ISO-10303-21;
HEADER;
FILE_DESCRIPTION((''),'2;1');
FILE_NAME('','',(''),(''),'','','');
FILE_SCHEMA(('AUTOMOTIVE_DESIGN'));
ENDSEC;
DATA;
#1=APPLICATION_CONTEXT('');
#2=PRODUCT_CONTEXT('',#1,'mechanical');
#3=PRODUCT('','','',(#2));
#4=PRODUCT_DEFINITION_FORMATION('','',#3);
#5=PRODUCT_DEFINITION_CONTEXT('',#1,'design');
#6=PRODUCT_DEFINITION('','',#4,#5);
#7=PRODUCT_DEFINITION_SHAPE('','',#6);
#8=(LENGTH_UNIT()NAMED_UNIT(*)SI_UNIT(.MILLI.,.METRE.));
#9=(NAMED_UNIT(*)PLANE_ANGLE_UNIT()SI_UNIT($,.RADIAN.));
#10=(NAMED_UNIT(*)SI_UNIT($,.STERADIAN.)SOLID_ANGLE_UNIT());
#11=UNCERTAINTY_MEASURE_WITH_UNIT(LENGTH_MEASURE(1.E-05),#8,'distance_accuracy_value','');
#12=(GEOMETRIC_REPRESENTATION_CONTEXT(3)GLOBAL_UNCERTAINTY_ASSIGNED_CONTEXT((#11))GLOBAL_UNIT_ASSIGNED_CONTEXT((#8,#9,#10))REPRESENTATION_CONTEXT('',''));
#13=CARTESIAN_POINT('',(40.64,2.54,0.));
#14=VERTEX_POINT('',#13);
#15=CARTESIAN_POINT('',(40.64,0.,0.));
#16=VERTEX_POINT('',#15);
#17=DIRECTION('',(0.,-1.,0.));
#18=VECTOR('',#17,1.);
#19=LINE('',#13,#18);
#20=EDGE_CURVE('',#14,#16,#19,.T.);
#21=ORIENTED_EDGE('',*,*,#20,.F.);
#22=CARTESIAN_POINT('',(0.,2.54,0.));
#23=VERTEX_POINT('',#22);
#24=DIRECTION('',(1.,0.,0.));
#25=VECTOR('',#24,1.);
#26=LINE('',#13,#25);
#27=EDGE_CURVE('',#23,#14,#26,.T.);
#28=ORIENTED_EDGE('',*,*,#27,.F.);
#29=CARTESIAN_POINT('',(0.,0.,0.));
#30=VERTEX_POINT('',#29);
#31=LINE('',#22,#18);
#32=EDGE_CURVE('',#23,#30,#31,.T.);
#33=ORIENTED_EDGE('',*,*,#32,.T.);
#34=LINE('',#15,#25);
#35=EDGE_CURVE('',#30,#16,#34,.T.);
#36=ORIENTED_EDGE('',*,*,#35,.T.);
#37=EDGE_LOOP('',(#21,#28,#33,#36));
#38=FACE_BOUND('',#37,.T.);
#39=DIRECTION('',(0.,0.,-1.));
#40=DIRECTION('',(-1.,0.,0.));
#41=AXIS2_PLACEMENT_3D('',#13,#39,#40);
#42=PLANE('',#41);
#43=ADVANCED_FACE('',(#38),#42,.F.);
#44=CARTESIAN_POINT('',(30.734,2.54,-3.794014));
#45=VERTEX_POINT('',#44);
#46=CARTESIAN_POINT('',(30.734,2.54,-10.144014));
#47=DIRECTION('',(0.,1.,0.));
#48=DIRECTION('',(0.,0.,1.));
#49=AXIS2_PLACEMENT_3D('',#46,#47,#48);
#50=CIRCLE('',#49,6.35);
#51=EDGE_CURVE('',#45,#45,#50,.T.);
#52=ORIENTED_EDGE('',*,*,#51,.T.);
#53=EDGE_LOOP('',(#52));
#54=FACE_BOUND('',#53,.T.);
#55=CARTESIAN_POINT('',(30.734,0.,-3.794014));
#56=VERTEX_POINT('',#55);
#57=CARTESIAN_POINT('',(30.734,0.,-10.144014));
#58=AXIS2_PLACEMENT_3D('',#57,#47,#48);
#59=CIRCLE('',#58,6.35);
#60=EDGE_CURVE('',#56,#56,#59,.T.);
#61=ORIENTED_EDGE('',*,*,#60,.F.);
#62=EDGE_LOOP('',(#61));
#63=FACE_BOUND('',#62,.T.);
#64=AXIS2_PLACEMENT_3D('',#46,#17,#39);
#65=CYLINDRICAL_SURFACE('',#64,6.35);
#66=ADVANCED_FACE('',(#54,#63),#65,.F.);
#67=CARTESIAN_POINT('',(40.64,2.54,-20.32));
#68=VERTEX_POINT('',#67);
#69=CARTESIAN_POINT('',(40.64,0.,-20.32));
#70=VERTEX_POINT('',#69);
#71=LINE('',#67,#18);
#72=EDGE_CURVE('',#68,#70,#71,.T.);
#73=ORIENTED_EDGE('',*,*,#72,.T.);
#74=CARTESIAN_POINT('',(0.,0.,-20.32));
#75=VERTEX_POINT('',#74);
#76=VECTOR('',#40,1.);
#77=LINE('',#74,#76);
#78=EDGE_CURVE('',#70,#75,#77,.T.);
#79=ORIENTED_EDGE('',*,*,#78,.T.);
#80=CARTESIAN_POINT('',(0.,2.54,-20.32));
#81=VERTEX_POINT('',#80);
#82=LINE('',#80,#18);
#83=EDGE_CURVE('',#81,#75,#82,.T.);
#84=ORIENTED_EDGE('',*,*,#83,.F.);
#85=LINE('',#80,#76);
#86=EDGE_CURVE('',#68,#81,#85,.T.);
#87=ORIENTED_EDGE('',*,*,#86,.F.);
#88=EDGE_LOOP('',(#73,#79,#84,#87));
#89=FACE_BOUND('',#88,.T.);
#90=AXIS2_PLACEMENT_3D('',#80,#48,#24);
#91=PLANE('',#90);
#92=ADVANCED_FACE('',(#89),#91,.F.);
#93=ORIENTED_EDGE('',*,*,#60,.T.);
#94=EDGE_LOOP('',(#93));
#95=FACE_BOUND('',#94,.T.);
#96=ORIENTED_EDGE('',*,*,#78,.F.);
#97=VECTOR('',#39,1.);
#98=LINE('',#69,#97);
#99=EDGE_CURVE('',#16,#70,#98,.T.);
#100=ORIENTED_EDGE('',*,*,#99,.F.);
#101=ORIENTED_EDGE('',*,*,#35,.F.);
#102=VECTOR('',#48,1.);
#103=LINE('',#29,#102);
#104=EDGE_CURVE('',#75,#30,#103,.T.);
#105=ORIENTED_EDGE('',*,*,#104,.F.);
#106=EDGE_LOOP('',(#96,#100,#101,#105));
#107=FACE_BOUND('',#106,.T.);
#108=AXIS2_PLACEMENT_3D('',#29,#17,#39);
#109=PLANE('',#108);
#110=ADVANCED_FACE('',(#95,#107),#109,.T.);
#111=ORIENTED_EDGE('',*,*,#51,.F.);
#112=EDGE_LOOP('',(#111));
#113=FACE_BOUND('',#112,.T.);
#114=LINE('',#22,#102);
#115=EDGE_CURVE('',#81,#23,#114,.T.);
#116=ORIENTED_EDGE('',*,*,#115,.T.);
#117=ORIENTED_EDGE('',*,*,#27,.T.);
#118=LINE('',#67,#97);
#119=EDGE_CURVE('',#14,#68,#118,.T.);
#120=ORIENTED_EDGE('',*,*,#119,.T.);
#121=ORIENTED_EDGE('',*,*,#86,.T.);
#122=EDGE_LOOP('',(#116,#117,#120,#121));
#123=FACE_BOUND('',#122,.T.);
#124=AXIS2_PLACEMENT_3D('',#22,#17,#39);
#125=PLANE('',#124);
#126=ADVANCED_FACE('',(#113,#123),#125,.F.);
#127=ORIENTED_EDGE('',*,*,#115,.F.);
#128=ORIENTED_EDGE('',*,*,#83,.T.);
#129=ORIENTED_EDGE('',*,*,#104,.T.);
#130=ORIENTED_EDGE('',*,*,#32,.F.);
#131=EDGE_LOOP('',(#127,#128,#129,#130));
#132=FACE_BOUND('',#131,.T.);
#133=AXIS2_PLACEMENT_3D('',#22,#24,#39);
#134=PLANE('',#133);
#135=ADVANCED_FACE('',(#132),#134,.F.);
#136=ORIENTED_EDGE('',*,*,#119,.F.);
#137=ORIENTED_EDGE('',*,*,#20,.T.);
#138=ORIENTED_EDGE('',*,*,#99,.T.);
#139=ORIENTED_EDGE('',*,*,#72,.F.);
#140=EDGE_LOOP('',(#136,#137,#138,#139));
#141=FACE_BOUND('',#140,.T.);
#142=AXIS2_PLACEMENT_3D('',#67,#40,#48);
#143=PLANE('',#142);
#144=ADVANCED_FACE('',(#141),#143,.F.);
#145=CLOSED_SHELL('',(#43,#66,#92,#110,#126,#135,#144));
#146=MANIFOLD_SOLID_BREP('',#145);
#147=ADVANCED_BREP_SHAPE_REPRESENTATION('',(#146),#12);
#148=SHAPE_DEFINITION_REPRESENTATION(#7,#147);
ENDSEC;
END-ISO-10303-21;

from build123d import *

# Parameters (mm, degrees)
SKETCH1_W           = 40.64
SKETCH1_H           = 20.32
SKETCH1_R           = 6.35
BOSS_EXTRUDE1_DEPTH = 2.54


with BuildPart() as part:
    # Sketch1 → Boss-Extrude1 (new body)
    with BuildSketch(Plane(origin=(0, 0, 0), x_dir=(1, 0, 0), z_dir=(0, 1, 0))):
        with Locations((20.32, 10.16)):
            Rectangle(SKETCH1_W, SKETCH1_H)
        with Locations(Location((30.734, 10.144013824, 0), (0, 0, 270))):
            Circle(SKETCH1_R, mode=Mode.SUBTRACT)
    extrude(amount=BOSS_EXTRUDE1_DEPTH)


solid = part.part
